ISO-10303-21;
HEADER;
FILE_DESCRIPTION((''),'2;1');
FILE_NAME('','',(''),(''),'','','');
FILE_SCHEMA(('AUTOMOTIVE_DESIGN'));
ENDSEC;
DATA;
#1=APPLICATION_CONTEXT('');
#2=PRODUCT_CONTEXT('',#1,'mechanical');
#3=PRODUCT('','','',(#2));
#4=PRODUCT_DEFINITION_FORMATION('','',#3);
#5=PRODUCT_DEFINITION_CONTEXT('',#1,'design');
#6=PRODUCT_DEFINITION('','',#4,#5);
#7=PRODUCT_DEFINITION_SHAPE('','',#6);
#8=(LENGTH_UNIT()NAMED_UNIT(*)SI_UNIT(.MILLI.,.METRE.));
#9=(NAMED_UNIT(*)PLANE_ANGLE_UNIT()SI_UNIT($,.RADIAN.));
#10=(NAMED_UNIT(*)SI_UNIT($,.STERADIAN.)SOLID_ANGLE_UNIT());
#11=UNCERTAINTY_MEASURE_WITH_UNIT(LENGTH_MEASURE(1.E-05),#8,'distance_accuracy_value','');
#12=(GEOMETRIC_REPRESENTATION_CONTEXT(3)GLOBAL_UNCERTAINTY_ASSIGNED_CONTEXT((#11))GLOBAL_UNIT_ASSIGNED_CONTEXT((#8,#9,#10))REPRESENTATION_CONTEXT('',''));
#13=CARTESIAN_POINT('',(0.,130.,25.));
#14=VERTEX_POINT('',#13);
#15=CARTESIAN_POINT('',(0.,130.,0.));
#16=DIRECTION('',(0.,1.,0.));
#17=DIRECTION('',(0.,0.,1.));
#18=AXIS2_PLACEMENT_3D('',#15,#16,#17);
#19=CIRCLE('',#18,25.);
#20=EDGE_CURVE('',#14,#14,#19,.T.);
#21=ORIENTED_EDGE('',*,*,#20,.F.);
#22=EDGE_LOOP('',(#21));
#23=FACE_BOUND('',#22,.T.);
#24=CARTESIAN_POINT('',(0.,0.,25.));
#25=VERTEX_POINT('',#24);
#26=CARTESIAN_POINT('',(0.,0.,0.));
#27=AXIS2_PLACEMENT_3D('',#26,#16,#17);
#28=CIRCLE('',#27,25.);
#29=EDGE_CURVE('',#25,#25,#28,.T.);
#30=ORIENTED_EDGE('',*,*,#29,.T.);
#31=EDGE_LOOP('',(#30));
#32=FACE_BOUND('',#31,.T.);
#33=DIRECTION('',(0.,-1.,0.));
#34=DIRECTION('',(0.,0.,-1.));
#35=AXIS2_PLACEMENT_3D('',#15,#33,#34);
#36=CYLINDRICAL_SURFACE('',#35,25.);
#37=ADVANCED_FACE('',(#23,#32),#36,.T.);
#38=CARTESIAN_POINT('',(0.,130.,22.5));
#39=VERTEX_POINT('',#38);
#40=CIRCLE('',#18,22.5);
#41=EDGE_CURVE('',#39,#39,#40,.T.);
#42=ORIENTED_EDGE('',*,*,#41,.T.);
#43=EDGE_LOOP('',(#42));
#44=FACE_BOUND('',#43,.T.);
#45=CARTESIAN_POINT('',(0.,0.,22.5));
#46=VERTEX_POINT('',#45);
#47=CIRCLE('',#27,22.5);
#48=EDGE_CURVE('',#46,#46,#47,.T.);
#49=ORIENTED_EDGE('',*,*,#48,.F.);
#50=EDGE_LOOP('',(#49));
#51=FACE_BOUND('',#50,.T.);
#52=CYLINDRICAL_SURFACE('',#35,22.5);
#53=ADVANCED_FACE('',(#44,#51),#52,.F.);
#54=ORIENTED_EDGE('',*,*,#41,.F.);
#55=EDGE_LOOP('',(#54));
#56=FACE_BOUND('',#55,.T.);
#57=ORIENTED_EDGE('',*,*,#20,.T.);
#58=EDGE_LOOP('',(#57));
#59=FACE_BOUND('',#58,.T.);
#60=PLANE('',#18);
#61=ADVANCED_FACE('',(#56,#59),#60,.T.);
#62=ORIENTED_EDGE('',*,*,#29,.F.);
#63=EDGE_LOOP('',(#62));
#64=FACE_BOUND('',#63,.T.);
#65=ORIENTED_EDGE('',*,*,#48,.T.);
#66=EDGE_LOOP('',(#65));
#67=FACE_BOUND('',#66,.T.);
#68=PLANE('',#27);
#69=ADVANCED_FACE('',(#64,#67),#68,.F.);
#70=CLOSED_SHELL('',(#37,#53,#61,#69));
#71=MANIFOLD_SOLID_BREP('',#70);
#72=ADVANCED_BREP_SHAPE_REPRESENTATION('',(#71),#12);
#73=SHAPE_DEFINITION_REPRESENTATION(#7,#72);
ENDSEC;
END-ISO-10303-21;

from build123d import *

# Parameters (mm, degrees)
SKETCH1_R           = 25
SKETCH1_R_2         = 22.5
BOSS_EXTRUDE2_DEPTH = 130


with BuildPart() as part:
    # Sketch1 → Boss-Extrude2 (new body)
    with BuildSketch(Plane(origin=(0, 0, 0), x_dir=(1, 0, 0), z_dir=(0, 1, 0))):
        with Locations(Location((0, 0, 0), (0, 0, 270))):
            Circle(SKETCH1_R)
        with Locations(Location((0, 0, 0), (0, 0, 270))):
            Circle(SKETCH1_R_2, mode=Mode.SUBTRACT)
    extrude(amount=BOSS_EXTRUDE2_DEPTH)


solid = part.part
